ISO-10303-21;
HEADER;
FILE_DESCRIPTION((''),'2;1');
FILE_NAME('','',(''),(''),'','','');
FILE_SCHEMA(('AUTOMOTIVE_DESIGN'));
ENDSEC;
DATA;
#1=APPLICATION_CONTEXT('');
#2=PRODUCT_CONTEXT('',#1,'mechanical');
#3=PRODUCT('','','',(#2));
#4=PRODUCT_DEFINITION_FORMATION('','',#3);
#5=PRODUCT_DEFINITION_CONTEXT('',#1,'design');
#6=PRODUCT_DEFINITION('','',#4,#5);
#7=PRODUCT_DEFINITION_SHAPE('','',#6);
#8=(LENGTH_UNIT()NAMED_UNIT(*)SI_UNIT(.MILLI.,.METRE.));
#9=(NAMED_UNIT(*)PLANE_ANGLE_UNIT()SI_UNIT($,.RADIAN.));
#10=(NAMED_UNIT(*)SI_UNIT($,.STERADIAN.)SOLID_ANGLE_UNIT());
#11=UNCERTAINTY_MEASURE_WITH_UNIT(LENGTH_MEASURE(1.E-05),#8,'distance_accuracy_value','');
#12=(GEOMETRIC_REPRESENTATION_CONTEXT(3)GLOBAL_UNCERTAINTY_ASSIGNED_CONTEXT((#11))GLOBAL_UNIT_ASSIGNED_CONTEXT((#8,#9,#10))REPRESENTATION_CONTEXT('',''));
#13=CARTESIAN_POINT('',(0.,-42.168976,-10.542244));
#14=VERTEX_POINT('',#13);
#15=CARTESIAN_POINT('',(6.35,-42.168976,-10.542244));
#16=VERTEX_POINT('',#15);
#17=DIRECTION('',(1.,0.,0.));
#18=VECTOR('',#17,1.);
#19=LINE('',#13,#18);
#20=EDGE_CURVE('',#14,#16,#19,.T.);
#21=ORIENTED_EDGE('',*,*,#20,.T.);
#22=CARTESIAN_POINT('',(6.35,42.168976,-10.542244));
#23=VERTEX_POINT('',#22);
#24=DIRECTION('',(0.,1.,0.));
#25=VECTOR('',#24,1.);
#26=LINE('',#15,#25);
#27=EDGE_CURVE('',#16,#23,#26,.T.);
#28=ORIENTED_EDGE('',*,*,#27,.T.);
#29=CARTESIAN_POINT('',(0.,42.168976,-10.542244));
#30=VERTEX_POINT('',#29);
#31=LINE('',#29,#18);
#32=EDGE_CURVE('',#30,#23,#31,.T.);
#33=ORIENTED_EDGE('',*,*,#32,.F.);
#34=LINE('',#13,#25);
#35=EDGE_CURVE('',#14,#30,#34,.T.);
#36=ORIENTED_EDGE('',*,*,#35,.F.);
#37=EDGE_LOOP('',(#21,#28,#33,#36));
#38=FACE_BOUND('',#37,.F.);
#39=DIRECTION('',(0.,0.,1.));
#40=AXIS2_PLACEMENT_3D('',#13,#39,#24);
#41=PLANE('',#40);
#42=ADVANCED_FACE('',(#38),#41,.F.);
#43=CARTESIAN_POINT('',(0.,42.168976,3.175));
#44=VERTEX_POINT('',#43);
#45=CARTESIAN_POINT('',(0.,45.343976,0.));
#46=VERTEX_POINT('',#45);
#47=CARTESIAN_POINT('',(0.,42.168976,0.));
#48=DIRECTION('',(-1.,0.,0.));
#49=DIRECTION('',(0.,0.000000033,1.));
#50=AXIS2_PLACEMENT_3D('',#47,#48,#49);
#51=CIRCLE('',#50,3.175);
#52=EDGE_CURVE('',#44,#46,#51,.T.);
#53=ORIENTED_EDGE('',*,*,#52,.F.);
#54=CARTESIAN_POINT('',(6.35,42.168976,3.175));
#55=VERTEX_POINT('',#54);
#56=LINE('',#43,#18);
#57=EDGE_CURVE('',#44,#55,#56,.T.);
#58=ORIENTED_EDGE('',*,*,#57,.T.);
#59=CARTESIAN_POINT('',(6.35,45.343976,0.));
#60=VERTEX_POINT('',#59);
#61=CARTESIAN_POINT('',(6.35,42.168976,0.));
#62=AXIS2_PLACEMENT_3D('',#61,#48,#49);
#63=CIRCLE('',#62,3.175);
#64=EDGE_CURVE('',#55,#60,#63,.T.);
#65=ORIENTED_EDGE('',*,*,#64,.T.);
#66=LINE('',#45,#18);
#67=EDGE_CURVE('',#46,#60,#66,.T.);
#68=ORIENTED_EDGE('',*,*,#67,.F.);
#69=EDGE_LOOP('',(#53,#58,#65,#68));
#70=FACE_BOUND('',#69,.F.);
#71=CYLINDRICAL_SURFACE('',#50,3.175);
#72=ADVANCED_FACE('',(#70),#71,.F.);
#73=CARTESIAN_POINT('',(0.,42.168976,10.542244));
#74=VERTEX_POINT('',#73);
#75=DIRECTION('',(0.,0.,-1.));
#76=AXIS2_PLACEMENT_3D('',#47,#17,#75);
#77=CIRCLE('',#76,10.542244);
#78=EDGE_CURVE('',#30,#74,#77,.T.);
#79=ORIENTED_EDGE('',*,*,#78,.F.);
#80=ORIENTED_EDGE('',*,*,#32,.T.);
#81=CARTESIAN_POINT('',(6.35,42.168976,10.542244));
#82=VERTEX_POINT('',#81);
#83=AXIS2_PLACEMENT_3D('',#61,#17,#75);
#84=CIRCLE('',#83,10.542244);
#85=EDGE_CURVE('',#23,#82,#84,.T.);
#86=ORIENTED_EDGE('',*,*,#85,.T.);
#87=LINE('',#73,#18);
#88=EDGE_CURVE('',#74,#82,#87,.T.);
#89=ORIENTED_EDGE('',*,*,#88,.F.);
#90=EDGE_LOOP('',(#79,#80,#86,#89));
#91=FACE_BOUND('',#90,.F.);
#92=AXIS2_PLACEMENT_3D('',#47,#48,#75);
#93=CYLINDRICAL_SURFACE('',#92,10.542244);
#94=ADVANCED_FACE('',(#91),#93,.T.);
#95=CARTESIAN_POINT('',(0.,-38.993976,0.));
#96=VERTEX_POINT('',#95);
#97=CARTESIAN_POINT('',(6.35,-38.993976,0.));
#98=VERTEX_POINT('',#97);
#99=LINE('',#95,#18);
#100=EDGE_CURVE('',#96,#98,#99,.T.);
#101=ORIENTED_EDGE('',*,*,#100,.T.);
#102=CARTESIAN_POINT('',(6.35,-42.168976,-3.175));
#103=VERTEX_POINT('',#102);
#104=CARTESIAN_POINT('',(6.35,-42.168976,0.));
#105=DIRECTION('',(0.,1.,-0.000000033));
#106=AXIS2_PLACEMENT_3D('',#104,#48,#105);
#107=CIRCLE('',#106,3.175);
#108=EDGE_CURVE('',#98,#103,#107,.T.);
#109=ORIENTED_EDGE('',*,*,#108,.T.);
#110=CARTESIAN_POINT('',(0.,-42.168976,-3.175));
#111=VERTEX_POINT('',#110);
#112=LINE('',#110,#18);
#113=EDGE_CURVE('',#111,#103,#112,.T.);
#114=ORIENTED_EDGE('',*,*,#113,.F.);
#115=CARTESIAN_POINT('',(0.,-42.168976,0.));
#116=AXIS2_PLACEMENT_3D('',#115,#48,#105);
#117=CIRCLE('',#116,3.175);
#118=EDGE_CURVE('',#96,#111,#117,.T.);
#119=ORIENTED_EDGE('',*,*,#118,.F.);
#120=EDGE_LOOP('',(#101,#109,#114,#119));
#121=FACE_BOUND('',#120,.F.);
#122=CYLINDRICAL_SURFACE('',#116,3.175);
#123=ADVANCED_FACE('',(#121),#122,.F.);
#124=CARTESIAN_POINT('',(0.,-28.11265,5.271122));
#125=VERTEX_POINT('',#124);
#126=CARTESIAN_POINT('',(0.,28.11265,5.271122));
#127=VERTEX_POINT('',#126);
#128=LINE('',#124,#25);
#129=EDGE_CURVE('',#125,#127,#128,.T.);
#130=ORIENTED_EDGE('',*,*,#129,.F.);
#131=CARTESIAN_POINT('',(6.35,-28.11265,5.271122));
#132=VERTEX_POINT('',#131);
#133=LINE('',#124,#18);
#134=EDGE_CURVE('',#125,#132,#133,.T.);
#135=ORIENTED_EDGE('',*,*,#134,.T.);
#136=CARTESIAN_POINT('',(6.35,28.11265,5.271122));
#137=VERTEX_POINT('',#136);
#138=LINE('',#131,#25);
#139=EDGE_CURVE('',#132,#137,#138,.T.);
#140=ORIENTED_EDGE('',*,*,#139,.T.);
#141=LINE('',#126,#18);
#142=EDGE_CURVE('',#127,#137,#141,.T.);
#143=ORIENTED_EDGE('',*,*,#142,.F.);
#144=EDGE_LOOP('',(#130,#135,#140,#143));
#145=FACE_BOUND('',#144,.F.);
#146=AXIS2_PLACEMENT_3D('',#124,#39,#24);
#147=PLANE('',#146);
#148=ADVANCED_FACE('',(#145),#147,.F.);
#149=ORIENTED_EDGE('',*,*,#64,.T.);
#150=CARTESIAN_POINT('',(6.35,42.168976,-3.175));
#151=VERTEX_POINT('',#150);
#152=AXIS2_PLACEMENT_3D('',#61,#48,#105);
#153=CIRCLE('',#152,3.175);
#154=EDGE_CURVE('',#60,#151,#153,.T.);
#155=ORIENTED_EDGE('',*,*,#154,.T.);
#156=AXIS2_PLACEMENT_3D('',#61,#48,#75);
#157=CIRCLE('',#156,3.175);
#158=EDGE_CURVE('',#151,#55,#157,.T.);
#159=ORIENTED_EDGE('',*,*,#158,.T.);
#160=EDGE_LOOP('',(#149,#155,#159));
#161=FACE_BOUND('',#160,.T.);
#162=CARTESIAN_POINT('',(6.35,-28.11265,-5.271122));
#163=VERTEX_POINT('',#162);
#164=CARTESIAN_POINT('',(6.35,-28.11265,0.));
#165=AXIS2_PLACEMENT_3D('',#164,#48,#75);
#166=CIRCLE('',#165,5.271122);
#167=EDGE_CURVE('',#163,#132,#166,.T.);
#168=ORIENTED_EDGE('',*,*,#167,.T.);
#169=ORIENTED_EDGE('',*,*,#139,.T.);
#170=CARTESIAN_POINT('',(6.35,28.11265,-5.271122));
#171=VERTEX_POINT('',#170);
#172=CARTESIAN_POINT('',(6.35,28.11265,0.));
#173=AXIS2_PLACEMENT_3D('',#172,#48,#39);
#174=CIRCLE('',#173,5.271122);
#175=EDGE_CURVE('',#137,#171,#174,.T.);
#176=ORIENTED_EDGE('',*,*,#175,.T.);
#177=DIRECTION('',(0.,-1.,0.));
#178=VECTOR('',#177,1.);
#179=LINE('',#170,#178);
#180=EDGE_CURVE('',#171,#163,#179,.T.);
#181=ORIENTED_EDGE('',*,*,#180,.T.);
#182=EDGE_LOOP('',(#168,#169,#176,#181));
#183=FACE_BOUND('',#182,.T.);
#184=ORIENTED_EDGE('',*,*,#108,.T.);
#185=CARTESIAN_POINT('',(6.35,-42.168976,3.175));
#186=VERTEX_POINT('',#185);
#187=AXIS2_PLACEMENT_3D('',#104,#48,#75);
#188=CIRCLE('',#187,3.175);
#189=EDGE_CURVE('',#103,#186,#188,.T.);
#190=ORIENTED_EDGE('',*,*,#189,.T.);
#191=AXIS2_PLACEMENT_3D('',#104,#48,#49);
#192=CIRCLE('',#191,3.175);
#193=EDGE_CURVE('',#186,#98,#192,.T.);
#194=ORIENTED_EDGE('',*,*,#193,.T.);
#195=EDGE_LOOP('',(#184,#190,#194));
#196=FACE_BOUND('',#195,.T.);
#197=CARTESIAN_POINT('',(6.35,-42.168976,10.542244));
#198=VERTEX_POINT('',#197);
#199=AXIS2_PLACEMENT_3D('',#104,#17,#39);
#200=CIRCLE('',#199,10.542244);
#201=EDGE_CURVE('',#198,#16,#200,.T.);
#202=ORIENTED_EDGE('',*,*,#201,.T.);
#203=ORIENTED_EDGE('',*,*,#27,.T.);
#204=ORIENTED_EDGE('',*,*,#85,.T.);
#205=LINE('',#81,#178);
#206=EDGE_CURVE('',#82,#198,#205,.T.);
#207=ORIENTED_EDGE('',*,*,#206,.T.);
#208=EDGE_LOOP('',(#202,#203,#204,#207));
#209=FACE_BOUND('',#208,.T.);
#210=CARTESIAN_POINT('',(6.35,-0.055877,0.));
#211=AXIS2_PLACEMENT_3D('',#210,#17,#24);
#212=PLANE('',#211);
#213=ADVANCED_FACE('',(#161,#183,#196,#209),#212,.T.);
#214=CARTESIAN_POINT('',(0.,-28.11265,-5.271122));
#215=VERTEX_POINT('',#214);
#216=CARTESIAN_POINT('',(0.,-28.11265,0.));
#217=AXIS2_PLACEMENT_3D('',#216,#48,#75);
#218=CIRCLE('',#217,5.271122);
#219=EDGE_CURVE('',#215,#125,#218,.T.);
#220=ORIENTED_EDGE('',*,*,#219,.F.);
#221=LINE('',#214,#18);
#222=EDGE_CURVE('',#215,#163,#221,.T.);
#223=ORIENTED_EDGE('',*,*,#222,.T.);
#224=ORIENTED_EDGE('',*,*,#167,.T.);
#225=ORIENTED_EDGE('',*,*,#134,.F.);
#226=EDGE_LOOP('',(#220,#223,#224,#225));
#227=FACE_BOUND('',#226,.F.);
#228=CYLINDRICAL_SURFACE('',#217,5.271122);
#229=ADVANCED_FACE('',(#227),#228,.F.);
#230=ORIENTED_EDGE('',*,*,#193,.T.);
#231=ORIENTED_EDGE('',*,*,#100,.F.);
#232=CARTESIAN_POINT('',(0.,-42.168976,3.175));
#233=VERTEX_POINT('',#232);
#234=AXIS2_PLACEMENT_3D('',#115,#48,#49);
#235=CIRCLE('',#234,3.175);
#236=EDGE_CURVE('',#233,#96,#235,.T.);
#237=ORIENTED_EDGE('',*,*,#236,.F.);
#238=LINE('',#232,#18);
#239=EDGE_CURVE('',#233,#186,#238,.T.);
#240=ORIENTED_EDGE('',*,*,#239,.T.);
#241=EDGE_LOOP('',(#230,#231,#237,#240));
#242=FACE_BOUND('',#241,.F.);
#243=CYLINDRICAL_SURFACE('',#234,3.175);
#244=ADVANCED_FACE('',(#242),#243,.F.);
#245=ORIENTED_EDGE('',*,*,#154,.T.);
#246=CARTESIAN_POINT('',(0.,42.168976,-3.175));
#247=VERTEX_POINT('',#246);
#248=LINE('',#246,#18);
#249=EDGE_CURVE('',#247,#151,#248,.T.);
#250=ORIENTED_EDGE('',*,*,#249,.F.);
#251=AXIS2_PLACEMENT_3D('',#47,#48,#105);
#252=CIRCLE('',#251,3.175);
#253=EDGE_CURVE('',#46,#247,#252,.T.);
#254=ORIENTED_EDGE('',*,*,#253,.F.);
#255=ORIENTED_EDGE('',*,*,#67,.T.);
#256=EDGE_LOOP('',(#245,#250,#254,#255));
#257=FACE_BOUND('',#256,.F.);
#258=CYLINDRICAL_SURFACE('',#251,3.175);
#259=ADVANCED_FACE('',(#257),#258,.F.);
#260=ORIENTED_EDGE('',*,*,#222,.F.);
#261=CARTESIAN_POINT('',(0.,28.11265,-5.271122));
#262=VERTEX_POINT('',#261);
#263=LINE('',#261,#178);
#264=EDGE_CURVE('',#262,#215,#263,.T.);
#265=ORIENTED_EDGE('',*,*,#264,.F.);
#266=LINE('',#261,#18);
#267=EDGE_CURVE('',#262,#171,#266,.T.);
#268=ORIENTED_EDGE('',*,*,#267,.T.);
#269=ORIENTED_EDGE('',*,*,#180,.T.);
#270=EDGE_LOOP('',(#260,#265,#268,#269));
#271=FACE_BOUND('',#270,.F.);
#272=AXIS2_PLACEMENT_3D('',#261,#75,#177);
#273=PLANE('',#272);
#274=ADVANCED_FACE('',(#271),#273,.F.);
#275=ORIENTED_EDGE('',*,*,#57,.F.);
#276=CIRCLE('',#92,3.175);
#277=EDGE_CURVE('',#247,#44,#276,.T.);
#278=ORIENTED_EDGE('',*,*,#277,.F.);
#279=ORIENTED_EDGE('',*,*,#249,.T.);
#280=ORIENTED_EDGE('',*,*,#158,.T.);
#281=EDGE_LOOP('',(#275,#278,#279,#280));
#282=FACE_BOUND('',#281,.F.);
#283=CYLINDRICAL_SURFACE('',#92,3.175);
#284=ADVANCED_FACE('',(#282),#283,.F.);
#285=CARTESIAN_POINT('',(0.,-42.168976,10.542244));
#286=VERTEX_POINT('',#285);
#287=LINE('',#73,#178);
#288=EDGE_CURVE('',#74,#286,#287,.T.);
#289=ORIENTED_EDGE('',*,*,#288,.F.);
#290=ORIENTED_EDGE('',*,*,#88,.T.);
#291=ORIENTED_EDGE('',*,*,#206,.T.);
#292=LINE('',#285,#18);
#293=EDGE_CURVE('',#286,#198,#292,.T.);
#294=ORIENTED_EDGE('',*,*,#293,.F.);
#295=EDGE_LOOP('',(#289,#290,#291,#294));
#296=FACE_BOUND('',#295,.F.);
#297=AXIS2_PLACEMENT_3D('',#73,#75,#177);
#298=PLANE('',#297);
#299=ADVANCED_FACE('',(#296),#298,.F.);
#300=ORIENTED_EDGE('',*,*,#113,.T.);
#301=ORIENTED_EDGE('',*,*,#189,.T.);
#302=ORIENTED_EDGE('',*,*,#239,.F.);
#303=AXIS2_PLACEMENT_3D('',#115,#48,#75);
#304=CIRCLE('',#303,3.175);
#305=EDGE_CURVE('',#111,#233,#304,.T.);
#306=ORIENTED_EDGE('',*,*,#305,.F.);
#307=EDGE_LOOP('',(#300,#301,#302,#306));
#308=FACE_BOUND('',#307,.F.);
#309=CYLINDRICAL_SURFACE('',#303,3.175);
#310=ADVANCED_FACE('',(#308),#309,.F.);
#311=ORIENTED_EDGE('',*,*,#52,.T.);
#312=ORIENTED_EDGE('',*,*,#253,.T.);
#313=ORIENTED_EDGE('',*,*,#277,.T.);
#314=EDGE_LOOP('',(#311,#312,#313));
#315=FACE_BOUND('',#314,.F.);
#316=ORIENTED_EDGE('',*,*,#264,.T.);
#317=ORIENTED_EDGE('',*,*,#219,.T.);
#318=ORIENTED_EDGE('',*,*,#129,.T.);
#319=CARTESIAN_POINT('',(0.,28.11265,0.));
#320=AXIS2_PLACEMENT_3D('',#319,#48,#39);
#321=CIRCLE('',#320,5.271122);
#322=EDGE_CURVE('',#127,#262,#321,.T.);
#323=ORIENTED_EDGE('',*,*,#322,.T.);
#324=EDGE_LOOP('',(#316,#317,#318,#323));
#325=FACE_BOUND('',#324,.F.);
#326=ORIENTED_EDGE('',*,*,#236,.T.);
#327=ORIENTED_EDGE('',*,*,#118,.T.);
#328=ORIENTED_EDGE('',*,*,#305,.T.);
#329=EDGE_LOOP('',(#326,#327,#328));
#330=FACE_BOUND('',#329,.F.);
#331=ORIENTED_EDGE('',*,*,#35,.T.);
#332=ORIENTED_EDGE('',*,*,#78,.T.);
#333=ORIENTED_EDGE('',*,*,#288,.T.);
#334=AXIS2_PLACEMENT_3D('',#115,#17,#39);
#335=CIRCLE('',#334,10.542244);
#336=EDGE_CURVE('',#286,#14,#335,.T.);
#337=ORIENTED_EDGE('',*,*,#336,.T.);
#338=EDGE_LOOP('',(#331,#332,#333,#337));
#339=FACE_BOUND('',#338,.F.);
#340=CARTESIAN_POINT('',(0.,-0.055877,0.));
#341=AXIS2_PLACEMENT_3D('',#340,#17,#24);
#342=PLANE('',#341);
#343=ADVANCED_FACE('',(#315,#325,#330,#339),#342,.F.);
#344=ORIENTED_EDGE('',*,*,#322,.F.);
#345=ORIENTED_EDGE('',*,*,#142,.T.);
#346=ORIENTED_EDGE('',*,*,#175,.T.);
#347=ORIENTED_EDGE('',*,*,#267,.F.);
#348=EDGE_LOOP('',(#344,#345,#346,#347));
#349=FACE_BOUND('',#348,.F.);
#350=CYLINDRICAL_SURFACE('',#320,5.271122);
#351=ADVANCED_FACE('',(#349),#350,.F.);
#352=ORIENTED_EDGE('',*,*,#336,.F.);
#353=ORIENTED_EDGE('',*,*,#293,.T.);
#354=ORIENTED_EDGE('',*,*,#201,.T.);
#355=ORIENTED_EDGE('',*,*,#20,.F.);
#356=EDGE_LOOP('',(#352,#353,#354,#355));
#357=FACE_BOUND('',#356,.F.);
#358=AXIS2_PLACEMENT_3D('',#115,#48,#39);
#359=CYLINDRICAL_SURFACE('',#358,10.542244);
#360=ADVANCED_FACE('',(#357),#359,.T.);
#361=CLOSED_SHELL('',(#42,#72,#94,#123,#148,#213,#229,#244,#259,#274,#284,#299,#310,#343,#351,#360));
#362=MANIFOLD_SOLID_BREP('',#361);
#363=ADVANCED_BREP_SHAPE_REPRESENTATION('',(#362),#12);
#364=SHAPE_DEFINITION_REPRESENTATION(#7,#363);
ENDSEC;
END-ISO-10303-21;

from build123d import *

# Parameters (mm, degrees)
F1_DEPTH = 6.35


with BuildPart() as f1:
    # F0 (on Right) → F1 (new body)
    with BuildSketch(Plane.YZ):
        with BuildLine():
            Line((-42.168976, -10.542244), (42.168976, -10.542244))
            Line((42.168976, -10.542244), (42.168976, -3.175))
            ThreePointArc((42.168976, -3.175), (38.993976, 0), (42.168976, 3.175))
            Line((42.168976, 3.175), (42.168976, 10.542244))
            Line((42.168976, 10.542244), (-42.168976, 10.542244))
            Line((-42.168976, 10.542244), (-42.168976, 3.175))
            ThreePointArc((-42.168976, 3.175), (-39.923912, 2.245064), (-38.993976, 0))
            ThreePointArc((-38.993976, 0), (-39.923912, -2.245064), (-42.168976, -3.175))
            Line((-42.168976, -3.175), (-42.168976, -10.542244))
        make_face()
        with BuildLine():
            ThreePointArc((28.11265, 5.271122), (33.383772, 0), (28.11265, -5.271122))
            Line((28.11265, -5.271122), (-28.11265, -5.271122))
            ThreePointArc((-28.11265, -5.271122), (-33.383772, 0), (-28.11265, 5.271122))
            Line((-28.11265, 5.271122), (28.11265, 5.271122))
        make_face(mode=Mode.SUBTRACT)
        with BuildLine():
            Line((42.168976, -3.175), (42.168976, -10.542244))
            ThreePointArc((42.168976, -10.542244), (52.71122, 0), (42.168976, 10.542244))
            Line((42.168976, 10.542244), (42.168976, 3.175))
            ThreePointArc((42.168976, 3.175), (44.41404, 2.245064), (45.343976, 0))
            ThreePointArc((45.343976, 0), (44.41404, -2.245064), (42.168976, -3.175))
        make_face()
        with BuildLine():
            ThreePointArc((-42.168976, 10.542244), (-52.71122, 0), (-42.168976, -10.542244))
            Line((-42.168976, -10.542244), (-42.168976, -3.175))
            ThreePointArc((-42.168976, -3.175), (-45.343976, 0), (-42.168976, 3.175))
            Line((-42.168976, 3.175), (-42.168976, 10.542244))
        make_face()
    extrude(amount=F1_DEPTH)


solid = f1.part
